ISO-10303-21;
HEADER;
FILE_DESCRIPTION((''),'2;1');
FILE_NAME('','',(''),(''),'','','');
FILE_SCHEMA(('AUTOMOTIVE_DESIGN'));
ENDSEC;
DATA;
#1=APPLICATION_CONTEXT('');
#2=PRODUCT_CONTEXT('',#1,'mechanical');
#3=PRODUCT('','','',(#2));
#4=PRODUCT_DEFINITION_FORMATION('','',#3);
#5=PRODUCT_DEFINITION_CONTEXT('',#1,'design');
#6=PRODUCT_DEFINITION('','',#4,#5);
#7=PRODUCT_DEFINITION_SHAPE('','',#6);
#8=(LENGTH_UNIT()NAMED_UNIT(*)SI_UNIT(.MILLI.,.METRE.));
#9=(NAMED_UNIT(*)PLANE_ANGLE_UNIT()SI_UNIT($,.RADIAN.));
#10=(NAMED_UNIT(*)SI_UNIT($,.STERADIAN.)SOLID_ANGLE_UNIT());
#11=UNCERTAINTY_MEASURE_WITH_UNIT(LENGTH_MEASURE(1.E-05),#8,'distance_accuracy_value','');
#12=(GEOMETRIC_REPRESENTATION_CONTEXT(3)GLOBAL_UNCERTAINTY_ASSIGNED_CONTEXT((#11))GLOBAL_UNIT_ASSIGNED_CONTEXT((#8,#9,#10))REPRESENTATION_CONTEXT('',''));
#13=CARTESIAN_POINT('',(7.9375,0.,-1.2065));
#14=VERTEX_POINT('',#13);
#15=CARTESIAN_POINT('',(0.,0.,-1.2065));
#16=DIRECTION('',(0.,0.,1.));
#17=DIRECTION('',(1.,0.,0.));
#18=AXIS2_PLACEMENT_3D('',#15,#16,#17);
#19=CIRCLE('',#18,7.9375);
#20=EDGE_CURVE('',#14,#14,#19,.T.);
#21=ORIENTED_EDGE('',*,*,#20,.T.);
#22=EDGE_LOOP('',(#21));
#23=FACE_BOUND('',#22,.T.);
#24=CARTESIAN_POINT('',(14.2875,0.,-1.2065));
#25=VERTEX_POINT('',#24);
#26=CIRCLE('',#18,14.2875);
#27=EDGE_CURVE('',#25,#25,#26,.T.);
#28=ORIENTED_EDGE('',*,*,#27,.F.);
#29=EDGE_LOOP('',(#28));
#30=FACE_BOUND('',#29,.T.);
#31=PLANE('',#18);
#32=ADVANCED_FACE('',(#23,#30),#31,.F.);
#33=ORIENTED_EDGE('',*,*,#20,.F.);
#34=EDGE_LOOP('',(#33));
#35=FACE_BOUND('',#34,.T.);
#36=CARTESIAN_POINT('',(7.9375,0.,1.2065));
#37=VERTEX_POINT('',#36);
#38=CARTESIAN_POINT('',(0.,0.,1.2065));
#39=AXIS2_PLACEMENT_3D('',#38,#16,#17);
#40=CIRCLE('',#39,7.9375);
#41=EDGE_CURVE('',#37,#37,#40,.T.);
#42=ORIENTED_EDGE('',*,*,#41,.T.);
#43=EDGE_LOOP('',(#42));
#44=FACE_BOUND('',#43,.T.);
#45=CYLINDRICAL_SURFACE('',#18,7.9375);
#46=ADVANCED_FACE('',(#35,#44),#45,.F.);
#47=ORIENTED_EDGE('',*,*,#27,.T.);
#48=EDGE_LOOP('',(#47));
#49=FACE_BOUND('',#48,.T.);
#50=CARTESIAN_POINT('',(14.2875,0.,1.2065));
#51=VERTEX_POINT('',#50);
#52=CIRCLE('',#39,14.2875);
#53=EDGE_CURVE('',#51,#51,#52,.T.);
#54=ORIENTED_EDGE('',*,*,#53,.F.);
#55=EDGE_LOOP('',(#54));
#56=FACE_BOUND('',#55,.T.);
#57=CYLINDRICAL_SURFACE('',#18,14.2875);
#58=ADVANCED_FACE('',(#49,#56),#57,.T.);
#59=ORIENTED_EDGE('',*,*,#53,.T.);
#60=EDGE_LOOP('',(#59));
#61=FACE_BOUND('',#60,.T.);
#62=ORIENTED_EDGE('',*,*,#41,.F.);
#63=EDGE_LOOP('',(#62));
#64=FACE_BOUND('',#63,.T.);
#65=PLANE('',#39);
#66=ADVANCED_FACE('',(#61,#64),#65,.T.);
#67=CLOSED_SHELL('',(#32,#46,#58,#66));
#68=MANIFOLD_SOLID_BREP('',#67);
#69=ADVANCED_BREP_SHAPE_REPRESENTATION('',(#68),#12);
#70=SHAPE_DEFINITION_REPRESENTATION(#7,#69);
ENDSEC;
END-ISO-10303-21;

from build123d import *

# Parameters (mm, degrees)
BOSS_EXTRUDE1_DEPTH      = 1.2065
BOSS_EXTRUDE1_DEPTH_BACK = 1.2065
SKETCH3_R                = 14.2875
SKETCH3_R_2              = 7.9375


with BuildPart() as part:
    # Sketch3 → Boss-Extrude1 (new, two sides: drawn at the far end of the back side and taken through both)
    with BuildSketch(Plane.XY.offset(-BOSS_EXTRUDE1_DEPTH_BACK)):
        Circle(SKETCH3_R)
        Circle(SKETCH3_R_2, mode=Mode.SUBTRACT)
    extrude(amount=BOSS_EXTRUDE1_DEPTH + BOSS_EXTRUDE1_DEPTH_BACK)


solid = part.part
